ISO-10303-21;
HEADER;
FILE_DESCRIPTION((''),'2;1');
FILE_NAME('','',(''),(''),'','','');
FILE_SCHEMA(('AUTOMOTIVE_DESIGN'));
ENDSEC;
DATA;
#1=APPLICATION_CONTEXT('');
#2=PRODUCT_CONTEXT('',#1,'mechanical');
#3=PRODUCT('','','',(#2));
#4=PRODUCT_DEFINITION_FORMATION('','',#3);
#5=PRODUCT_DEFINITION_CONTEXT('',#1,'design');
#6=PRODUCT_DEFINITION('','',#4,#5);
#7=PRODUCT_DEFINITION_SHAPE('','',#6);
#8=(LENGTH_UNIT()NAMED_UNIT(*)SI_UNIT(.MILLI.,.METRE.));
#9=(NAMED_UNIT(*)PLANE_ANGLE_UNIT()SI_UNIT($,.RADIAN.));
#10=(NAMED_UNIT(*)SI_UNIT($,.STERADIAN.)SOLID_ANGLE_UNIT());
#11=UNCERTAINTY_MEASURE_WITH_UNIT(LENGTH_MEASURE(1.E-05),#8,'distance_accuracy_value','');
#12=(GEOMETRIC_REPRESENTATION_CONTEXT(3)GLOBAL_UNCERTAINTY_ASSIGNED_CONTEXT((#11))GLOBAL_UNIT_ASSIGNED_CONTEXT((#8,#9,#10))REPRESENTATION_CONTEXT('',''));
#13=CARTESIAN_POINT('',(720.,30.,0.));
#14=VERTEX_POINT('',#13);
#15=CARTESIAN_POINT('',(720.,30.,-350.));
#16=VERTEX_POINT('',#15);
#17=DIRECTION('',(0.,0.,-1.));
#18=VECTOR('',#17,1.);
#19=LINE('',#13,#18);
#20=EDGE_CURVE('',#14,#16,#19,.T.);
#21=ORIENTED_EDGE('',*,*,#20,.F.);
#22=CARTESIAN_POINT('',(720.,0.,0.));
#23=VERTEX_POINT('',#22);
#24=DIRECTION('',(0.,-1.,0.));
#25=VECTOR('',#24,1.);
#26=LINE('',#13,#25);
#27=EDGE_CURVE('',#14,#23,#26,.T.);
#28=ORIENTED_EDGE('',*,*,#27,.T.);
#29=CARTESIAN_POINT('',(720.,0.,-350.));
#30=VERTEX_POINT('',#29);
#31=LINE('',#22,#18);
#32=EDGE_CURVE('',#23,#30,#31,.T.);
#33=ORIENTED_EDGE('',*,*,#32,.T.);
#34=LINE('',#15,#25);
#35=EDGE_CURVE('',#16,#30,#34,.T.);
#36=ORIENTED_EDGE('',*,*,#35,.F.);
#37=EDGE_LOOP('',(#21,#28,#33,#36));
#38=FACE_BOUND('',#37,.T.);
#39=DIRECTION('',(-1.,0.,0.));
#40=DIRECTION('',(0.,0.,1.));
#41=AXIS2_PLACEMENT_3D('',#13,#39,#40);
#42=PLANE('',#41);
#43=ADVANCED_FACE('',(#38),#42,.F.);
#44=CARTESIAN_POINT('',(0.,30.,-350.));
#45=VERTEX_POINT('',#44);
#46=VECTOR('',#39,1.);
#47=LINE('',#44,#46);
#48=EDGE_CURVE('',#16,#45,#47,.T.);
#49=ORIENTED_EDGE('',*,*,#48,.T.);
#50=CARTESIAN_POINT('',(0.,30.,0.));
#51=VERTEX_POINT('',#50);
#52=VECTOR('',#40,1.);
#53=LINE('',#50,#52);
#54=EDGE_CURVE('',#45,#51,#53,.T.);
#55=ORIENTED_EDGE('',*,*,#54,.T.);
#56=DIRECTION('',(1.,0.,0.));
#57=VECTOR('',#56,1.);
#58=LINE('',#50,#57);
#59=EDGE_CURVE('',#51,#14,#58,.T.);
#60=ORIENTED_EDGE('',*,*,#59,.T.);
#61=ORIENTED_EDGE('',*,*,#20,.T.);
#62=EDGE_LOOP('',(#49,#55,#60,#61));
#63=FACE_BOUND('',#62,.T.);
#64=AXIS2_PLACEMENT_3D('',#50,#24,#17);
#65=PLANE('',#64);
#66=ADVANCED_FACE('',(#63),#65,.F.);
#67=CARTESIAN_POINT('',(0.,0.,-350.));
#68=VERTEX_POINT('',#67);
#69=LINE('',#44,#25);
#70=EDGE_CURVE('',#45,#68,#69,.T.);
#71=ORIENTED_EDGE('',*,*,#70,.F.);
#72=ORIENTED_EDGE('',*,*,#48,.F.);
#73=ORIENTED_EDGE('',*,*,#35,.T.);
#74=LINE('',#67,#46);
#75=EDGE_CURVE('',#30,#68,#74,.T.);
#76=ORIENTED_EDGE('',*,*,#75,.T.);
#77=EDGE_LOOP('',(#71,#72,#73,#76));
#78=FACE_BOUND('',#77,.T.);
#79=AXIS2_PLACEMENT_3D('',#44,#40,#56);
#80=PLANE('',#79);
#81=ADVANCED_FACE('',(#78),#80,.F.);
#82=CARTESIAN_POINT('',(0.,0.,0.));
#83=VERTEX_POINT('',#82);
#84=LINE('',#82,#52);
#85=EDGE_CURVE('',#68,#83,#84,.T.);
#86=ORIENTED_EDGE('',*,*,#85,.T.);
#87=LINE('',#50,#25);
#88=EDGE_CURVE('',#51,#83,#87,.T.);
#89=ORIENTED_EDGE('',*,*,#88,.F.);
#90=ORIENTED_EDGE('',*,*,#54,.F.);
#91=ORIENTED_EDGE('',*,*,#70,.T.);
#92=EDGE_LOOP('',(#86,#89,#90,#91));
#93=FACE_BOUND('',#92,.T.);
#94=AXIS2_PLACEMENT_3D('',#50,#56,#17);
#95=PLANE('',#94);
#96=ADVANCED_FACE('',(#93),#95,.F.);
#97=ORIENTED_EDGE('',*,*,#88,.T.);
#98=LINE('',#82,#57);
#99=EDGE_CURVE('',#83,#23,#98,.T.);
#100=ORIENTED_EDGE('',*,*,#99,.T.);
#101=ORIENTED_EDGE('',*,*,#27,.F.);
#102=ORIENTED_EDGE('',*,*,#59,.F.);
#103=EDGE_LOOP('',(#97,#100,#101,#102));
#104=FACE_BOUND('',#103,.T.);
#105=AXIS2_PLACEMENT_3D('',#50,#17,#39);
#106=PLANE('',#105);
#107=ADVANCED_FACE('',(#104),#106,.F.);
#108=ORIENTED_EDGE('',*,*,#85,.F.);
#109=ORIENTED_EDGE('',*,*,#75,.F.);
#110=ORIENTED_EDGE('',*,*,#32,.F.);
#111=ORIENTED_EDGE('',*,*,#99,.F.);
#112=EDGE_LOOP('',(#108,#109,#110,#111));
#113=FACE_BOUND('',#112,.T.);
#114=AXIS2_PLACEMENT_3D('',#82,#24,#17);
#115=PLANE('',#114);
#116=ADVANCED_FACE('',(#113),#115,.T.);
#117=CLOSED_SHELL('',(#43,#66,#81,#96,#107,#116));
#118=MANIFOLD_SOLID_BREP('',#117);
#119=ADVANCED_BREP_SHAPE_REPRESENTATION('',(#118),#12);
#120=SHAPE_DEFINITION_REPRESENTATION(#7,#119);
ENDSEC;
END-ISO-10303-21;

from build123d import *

# Parameters (mm, degrees)
SKETCH_1_W      = 720
SKETCH_1_H      = 350
EXTRUDE_1_DEPTH = 30


with BuildPart() as part:
    # Эскиз1 → Бобышка-Вытянуть1 (new body)
    with BuildSketch(Plane(origin=(0, 0, 0), x_dir=(1, 0, 0), z_dir=(0, 1, 0))):
        with Locations((360, 175)):
            Rectangle(SKETCH_1_W, SKETCH_1_H)
    extrude(amount=EXTRUDE_1_DEPTH)


solid = part.part
